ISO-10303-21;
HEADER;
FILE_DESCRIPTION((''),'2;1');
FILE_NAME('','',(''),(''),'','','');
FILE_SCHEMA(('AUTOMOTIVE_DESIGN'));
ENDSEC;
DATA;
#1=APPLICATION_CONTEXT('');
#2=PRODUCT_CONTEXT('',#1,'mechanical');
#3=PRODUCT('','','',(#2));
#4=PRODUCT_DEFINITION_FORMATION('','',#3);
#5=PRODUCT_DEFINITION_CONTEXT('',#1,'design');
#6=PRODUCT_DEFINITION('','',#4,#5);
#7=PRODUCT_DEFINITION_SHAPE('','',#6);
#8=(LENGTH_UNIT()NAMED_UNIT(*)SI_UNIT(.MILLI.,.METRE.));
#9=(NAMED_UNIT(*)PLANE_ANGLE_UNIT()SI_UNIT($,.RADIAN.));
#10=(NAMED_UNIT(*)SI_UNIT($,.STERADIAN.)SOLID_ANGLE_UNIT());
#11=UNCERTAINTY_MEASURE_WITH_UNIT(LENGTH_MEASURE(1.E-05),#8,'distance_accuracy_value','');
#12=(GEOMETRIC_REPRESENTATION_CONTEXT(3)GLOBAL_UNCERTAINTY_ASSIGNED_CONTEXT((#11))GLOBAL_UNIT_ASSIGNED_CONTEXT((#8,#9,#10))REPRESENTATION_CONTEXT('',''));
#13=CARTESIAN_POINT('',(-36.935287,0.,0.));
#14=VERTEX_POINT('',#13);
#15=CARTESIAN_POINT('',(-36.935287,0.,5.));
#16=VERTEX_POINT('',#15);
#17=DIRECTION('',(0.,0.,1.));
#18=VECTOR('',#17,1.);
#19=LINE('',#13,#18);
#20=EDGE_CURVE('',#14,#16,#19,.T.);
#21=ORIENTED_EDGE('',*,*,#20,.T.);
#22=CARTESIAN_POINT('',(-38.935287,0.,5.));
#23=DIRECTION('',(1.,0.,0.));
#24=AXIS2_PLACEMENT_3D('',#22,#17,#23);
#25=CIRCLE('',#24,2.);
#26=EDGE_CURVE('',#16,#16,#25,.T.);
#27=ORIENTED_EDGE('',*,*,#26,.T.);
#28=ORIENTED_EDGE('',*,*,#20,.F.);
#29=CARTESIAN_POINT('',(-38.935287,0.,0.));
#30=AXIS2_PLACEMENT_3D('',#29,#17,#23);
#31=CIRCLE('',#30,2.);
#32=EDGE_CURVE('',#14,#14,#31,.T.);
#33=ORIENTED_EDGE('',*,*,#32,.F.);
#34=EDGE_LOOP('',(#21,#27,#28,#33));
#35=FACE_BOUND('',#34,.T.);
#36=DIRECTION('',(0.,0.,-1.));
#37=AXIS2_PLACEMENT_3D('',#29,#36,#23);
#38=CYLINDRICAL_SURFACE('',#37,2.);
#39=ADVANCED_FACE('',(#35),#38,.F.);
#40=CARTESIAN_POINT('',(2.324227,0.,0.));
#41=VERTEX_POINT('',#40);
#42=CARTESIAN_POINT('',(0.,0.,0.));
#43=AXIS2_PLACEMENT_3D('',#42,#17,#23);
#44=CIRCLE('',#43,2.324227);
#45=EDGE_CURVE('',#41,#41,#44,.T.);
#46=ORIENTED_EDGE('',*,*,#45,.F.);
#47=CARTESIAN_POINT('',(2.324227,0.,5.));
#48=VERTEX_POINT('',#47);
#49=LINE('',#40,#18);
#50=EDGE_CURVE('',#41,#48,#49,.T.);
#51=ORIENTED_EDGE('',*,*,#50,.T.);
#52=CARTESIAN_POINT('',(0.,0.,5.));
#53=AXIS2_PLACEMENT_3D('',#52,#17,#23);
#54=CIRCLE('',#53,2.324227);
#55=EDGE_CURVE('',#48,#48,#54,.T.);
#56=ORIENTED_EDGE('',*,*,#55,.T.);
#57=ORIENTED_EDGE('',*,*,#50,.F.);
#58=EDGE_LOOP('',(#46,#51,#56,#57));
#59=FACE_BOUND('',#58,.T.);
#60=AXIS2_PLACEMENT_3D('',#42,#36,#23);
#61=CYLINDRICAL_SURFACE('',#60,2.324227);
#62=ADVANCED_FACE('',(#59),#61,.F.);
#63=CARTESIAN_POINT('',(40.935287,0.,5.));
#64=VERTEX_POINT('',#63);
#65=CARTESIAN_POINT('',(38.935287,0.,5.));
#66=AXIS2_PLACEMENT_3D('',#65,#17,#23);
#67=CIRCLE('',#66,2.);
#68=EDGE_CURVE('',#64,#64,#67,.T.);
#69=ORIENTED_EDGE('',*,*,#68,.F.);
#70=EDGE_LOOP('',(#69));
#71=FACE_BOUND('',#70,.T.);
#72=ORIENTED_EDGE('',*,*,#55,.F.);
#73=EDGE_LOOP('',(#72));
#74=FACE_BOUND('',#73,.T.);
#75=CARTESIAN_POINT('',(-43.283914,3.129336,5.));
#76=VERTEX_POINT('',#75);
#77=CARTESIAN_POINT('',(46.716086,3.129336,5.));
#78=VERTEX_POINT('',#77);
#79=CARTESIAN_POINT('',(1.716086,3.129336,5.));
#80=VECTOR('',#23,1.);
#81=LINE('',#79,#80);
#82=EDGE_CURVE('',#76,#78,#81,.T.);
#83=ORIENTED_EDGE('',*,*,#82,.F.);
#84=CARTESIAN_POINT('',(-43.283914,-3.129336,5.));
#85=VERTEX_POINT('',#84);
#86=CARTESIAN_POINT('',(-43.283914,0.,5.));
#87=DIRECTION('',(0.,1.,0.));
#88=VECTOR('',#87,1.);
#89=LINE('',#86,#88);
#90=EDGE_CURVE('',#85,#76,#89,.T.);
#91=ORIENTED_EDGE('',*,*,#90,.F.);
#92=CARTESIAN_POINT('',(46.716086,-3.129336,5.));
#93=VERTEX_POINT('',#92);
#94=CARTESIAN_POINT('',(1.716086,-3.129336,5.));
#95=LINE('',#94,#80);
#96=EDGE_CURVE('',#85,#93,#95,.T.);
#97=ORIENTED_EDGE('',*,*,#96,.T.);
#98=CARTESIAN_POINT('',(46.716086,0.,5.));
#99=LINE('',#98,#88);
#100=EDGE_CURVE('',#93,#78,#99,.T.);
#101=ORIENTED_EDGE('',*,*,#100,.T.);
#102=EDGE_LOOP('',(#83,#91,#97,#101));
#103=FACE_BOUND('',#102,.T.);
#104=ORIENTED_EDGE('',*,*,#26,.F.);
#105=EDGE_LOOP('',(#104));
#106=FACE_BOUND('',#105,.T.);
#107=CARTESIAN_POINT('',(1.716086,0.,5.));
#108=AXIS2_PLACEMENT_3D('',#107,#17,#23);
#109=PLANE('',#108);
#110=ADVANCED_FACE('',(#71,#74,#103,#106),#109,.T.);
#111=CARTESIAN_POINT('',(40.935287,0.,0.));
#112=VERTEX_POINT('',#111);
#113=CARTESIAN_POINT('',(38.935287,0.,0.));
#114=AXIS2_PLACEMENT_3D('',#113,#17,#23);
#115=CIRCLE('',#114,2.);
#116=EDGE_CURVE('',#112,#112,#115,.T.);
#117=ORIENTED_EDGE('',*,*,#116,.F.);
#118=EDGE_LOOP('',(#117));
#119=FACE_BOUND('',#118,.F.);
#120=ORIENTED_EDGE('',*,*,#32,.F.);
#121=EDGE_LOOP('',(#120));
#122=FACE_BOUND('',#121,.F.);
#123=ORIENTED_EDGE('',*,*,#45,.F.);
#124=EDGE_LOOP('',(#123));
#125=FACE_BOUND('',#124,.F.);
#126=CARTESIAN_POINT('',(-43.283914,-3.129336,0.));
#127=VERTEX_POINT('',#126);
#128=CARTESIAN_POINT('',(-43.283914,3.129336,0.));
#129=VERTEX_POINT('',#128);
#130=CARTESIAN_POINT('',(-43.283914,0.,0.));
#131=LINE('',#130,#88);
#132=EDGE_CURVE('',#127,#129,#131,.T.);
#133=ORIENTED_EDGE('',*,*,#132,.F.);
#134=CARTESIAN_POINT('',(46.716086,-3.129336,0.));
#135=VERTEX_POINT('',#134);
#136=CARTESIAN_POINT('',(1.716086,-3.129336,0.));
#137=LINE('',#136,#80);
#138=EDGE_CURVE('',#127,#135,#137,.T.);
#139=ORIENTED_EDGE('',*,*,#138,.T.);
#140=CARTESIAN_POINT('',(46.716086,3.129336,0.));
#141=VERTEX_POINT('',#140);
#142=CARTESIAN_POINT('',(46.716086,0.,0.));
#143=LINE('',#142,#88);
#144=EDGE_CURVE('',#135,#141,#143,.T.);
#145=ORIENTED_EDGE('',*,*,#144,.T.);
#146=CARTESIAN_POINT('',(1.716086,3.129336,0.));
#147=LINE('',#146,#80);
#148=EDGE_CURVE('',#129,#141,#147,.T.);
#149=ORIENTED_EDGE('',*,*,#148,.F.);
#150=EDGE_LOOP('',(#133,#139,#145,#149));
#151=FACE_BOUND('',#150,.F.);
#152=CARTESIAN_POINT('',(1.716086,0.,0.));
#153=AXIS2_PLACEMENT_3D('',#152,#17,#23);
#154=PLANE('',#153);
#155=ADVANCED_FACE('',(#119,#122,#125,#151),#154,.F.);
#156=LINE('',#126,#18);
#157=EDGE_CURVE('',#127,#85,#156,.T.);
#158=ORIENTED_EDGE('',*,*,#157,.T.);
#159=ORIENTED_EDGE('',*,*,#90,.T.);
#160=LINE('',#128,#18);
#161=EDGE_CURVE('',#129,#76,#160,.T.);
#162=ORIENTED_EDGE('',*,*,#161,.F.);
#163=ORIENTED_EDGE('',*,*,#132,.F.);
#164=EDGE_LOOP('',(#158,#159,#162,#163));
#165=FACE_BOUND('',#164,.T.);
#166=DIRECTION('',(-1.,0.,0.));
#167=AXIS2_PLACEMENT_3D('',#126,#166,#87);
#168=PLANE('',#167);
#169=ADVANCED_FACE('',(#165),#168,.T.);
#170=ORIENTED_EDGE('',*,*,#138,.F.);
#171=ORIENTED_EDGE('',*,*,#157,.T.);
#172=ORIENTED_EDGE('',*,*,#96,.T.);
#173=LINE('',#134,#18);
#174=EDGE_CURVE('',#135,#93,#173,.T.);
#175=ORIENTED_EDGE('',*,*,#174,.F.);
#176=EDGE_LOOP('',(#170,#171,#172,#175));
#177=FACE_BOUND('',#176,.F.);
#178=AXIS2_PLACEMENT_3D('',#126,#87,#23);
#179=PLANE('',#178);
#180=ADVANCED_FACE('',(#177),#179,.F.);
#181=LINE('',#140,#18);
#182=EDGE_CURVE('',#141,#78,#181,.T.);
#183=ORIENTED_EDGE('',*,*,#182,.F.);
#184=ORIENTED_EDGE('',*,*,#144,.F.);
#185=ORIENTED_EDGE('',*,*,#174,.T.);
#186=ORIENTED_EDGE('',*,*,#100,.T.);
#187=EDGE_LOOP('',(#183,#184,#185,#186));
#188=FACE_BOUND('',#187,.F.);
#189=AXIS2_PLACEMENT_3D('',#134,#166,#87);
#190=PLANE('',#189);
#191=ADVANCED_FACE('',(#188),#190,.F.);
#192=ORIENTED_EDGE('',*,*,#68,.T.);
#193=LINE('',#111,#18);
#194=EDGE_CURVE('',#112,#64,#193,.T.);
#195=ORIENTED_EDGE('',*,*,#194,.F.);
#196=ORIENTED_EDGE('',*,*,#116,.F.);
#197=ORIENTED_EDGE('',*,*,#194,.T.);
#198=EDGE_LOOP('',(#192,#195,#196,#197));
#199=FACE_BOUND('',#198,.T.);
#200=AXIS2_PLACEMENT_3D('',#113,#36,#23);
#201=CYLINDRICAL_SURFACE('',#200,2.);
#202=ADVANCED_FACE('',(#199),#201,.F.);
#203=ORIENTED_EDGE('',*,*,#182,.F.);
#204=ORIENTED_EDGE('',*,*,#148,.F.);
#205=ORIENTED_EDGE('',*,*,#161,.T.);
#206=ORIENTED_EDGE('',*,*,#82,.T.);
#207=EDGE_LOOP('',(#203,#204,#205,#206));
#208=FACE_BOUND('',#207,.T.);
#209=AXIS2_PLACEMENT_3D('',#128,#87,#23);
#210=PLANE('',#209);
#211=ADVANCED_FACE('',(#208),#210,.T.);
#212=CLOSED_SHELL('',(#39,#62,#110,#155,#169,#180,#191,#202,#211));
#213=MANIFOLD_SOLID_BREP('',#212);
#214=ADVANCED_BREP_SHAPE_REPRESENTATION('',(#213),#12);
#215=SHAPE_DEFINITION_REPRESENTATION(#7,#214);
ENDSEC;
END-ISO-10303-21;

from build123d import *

# Parameters (mm, degrees)
F0_W     = 90
F0_H     = 6.258672
F0_R     = 2
F0_R_2   = 2.324227
F1_DEPTH = 5


with BuildPart() as f1:
    # F0 (on Top) → F1 (new body)
    with BuildSketch(Plane.XY):
        with Locations((1.716086, 0)):
            Rectangle(F0_W, F0_H)
        with Locations((-38.935287, 0)):
            Circle(F0_R, mode=Mode.SUBTRACT)
        Circle(F0_R_2, mode=Mode.SUBTRACT)
        with Locations((38.935287, 0)):
            Circle(F0_R, mode=Mode.SUBTRACT)
    extrude(amount=F1_DEPTH)


solid = f1.part
